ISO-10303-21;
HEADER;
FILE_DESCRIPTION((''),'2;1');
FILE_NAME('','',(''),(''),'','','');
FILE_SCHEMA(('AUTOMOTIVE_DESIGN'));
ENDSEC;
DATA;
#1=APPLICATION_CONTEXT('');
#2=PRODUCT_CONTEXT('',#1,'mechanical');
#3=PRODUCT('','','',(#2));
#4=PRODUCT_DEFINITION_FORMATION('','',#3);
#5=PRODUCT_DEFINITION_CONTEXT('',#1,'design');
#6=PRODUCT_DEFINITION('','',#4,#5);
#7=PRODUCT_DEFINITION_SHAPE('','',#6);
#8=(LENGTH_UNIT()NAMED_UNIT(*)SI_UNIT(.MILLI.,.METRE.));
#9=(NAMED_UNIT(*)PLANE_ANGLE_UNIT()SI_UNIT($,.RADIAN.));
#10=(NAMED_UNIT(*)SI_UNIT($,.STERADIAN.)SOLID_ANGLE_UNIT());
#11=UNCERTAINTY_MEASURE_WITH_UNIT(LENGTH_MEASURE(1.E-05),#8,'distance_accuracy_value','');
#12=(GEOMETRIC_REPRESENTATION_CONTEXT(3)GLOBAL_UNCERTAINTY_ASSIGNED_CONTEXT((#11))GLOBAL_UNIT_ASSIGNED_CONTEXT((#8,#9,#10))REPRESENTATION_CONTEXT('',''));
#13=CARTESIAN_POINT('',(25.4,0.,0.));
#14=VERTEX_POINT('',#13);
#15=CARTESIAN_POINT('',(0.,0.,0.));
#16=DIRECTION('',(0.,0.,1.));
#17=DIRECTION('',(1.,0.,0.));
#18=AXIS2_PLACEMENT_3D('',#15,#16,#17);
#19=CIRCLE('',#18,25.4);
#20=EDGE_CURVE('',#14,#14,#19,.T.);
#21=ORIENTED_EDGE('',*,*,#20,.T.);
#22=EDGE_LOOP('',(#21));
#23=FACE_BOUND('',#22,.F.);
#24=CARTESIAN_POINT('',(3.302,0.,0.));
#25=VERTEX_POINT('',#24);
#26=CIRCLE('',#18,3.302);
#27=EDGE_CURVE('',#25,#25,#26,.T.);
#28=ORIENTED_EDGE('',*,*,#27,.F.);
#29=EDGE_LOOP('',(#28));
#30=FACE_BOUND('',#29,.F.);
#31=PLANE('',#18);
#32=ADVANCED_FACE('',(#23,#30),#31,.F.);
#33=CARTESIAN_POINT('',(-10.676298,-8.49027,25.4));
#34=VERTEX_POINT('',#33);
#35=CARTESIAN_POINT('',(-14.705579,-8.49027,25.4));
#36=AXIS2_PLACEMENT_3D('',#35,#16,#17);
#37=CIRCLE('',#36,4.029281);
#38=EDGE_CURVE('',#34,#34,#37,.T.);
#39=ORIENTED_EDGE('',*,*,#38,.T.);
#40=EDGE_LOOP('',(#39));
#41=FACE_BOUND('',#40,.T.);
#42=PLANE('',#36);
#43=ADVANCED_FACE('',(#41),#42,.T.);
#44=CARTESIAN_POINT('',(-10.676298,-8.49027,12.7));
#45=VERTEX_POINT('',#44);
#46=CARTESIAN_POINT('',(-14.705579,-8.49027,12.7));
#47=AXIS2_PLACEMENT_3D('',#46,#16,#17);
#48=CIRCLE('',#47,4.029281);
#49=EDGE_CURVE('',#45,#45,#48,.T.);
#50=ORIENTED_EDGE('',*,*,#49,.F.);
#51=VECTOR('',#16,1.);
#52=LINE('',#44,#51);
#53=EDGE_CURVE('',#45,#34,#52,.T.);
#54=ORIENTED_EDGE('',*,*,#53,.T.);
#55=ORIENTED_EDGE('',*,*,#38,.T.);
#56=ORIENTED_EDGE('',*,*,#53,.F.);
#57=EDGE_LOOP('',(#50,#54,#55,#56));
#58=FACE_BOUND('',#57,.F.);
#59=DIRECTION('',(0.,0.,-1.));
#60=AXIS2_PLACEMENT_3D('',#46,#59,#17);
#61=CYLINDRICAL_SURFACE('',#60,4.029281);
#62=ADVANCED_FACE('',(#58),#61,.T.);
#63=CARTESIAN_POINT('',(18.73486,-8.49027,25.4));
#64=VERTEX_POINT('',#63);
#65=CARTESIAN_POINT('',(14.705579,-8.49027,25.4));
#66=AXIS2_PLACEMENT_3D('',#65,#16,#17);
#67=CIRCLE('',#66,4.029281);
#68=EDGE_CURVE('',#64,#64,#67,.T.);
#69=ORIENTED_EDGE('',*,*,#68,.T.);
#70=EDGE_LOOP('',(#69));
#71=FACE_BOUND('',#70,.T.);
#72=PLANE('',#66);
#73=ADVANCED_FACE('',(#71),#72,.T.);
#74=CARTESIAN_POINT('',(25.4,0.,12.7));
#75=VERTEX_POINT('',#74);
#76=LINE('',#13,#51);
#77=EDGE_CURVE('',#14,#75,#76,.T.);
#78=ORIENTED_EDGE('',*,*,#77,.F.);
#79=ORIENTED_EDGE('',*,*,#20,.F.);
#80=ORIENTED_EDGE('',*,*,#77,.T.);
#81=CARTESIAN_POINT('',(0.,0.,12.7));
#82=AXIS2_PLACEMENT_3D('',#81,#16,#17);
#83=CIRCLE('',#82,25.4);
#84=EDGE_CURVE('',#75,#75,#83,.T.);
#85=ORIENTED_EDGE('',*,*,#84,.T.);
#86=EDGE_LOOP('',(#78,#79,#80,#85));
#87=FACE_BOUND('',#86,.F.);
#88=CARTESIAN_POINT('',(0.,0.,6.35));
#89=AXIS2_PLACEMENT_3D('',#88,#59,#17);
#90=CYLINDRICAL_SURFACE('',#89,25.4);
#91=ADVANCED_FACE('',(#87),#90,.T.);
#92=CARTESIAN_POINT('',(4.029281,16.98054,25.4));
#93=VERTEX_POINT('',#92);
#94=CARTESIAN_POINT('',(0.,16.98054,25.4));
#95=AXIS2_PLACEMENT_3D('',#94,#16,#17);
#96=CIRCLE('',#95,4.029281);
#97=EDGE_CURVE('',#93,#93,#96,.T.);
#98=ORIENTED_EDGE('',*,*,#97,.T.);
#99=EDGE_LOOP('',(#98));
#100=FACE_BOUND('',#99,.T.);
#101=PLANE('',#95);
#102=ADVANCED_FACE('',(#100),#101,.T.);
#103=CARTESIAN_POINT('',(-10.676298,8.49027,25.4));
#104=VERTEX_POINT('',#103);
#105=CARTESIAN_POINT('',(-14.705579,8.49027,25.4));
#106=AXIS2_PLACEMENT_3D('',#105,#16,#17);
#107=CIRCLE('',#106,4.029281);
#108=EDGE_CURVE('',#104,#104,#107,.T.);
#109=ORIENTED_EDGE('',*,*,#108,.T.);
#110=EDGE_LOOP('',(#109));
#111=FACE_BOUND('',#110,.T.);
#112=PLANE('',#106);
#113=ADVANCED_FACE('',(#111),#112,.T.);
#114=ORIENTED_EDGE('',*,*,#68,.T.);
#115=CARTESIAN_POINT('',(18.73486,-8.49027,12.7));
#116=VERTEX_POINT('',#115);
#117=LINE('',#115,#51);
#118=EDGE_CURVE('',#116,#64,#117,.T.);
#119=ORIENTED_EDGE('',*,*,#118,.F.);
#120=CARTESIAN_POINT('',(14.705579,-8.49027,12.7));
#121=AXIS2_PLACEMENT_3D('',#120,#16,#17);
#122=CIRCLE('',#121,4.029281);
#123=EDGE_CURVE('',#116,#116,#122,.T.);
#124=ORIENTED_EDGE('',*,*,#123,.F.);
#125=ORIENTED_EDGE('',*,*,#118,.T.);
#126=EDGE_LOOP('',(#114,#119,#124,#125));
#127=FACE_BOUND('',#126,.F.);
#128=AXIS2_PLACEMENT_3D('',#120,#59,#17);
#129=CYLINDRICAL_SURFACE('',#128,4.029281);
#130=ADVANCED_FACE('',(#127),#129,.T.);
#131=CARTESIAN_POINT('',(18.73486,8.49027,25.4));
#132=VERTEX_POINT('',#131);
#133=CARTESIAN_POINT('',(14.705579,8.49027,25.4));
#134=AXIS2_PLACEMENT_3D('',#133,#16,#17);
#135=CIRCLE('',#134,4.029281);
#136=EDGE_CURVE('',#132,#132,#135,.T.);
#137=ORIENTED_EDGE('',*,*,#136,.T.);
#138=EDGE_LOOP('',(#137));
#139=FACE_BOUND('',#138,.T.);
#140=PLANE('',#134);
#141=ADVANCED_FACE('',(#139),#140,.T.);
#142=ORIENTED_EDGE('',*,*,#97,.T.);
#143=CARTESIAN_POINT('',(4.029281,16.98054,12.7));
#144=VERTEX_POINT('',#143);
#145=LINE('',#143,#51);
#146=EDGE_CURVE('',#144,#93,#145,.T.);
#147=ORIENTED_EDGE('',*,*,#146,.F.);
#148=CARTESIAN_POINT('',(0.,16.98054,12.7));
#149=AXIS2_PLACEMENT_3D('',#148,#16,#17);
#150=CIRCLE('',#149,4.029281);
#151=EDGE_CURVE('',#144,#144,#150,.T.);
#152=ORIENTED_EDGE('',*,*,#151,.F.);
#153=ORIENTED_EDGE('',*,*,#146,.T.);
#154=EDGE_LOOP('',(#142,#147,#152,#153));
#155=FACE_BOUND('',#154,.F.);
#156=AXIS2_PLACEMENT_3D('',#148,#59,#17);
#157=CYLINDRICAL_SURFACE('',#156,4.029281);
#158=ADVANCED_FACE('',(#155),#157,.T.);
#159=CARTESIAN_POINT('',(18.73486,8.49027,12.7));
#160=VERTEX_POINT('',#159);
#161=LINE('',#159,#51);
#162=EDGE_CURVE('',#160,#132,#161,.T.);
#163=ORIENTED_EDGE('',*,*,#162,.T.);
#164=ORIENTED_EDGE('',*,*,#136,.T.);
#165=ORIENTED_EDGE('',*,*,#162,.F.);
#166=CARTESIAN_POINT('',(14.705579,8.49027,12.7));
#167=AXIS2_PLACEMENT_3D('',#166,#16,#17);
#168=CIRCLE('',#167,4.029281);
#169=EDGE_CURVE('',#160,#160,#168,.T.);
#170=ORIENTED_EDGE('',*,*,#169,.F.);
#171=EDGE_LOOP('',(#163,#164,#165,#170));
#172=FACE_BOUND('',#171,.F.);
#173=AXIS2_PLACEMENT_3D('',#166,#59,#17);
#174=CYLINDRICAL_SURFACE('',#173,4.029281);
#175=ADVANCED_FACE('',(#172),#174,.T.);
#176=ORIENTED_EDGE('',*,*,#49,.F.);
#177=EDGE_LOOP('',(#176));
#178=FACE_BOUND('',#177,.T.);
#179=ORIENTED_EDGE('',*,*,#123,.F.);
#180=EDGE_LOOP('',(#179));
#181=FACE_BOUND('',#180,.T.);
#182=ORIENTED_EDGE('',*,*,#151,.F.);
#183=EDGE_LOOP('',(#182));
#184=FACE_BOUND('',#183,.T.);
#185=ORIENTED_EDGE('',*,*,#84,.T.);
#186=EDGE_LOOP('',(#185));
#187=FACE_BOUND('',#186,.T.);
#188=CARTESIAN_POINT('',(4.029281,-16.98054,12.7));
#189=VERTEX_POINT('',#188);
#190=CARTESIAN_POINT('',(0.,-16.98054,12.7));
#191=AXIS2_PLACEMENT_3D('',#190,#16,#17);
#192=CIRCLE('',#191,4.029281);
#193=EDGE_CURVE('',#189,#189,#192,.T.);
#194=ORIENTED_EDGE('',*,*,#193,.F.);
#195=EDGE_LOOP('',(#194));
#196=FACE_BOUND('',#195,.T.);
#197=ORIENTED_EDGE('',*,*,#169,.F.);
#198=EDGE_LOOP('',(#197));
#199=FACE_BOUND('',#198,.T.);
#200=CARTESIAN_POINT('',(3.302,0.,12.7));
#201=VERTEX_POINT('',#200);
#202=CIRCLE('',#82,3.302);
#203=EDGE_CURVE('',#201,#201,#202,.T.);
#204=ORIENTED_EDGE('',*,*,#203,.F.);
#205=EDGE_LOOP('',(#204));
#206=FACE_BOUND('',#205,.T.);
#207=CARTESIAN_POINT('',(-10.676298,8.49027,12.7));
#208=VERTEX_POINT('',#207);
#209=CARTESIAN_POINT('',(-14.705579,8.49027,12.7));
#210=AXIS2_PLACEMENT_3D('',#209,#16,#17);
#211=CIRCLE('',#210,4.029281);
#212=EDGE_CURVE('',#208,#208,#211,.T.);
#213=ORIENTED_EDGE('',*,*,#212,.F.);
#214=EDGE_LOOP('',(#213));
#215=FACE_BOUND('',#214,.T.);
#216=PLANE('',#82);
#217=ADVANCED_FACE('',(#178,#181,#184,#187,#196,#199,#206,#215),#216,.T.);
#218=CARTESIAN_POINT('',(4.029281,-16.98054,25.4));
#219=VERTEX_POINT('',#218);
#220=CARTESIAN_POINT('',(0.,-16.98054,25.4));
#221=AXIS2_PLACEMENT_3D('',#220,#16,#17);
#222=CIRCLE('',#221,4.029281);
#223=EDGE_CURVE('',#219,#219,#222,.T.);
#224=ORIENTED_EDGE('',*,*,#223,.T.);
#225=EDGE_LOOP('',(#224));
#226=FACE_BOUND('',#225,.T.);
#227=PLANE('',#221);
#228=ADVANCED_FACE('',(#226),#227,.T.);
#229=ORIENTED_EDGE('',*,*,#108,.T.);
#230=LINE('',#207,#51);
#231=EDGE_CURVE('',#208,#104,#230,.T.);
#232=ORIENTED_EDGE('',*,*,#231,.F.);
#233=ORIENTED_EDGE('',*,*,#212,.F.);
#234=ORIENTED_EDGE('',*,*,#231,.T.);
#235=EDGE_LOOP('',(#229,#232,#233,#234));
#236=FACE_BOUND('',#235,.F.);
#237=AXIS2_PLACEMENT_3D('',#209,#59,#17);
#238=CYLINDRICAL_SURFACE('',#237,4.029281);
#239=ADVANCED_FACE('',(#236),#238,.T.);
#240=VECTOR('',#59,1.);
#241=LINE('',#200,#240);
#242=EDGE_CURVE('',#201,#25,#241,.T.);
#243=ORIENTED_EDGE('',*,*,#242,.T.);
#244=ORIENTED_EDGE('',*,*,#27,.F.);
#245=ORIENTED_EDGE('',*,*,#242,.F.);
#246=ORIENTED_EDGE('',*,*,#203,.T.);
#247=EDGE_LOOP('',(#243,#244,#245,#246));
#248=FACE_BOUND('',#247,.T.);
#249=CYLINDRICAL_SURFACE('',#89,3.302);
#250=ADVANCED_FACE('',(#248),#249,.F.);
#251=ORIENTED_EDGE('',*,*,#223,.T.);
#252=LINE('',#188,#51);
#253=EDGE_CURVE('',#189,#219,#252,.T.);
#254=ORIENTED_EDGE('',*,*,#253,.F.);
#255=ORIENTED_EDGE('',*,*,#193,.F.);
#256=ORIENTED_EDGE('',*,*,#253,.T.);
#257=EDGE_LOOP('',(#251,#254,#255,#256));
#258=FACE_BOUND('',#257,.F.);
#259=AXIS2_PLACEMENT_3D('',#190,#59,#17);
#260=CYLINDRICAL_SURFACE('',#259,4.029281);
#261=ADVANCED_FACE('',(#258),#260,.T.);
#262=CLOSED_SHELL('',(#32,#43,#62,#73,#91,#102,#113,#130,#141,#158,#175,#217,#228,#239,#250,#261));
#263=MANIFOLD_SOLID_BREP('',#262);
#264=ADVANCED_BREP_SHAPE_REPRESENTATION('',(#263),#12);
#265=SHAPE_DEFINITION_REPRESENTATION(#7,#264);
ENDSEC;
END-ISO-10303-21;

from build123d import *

# Parameters (mm, degrees)
F0_R     = 25.4
F0_R_2   = 2.8345599267
F0_R_3   = 3.302
F1_DEPTH = 6.35
F2_DEPTH = 6.35
F3_R     = 4.0292814374
F4_DEPTH = 12.7


with BuildPart() as f1:
    # F0 (on Top) → F1 (new body)
    with BuildSketch(Plane.XY):
        Circle(F0_R)
        with Locations((-13.4316211013, -13.4316211013)):
            Circle(F0_R_2, mode=Mode.SUBTRACT)
        with Locations((0, -18.9951807261)):
            Circle(F0_R_2, mode=Mode.SUBTRACT)
        with Locations((-18.9951807261, 0)):
            Circle(F0_R_2, mode=Mode.SUBTRACT)
        Circle(F0_R_3, mode=Mode.SUBTRACT)
        with Locations((13.4316211013, -13.4316211013)):
            Circle(F0_R_2, mode=Mode.SUBTRACT)
        with Locations((18.9951807261, 0)):
            Circle(F0_R_2, mode=Mode.SUBTRACT)
        with Locations((-13.4316211013, 13.4316211013)):
            Circle(F0_R_2, mode=Mode.SUBTRACT)
        with Locations((0, 18.9951807261)):
            Circle(F0_R_2, mode=Mode.SUBTRACT)
        with Locations((13.4316211013, 13.4316211013)):
            Circle(F0_R_2, mode=Mode.SUBTRACT)
        with Locations((-18.9951807261, 0)):
            Circle(F0_R_2)
        with Locations((-13.4316211013, 13.4316211013)):
            Circle(F0_R_2)
        with Locations((0, 18.9951807261)):
            Circle(F0_R_2)
        with Locations((13.4316211013, 13.4316211013)):
            Circle(F0_R_2)
        with Locations((18.9951807261, 0)):
            Circle(F0_R_2)
        with Locations((0, -18.9951807261)):
            Circle(F0_R_2)
        with Locations((13.4316211013, -13.4316211013)):
            Circle(F0_R_2)
        with Locations((-13.4316211013, -13.4316211013)):
            Circle(F0_R_2)
    extrude(amount=F1_DEPTH)

    # F2 (add): a face of the model
    f2_faces = [f1.faces().sort_by_distance(p)[0] for p in [
        (-24.6815795103, 0, 6.35),
    ]]
    extrude(f2_faces, amount=F2_DEPTH)

    # F3 (on face) → F4 (join)
    with BuildSketch(Plane.XY.offset(12.7)):
        with Locations((0, 16.9805400074)):
            Circle(F3_R)
        with Locations((-14.7055790163, 8.4902700037)):
            Circle(F3_R)
        with Locations((-14.7055790163, -8.4902700037)):
            Circle(F3_R)
        with Locations((0, -16.9805400074)):
            Circle(F3_R)
        with Locations((14.7055790163, -8.4902700037)):
            Circle(F3_R)
        with Locations((14.7055790163, 8.4902700037)):
            Circle(F3_R)
    extrude(amount=F4_DEPTH)


solid = f1.part
